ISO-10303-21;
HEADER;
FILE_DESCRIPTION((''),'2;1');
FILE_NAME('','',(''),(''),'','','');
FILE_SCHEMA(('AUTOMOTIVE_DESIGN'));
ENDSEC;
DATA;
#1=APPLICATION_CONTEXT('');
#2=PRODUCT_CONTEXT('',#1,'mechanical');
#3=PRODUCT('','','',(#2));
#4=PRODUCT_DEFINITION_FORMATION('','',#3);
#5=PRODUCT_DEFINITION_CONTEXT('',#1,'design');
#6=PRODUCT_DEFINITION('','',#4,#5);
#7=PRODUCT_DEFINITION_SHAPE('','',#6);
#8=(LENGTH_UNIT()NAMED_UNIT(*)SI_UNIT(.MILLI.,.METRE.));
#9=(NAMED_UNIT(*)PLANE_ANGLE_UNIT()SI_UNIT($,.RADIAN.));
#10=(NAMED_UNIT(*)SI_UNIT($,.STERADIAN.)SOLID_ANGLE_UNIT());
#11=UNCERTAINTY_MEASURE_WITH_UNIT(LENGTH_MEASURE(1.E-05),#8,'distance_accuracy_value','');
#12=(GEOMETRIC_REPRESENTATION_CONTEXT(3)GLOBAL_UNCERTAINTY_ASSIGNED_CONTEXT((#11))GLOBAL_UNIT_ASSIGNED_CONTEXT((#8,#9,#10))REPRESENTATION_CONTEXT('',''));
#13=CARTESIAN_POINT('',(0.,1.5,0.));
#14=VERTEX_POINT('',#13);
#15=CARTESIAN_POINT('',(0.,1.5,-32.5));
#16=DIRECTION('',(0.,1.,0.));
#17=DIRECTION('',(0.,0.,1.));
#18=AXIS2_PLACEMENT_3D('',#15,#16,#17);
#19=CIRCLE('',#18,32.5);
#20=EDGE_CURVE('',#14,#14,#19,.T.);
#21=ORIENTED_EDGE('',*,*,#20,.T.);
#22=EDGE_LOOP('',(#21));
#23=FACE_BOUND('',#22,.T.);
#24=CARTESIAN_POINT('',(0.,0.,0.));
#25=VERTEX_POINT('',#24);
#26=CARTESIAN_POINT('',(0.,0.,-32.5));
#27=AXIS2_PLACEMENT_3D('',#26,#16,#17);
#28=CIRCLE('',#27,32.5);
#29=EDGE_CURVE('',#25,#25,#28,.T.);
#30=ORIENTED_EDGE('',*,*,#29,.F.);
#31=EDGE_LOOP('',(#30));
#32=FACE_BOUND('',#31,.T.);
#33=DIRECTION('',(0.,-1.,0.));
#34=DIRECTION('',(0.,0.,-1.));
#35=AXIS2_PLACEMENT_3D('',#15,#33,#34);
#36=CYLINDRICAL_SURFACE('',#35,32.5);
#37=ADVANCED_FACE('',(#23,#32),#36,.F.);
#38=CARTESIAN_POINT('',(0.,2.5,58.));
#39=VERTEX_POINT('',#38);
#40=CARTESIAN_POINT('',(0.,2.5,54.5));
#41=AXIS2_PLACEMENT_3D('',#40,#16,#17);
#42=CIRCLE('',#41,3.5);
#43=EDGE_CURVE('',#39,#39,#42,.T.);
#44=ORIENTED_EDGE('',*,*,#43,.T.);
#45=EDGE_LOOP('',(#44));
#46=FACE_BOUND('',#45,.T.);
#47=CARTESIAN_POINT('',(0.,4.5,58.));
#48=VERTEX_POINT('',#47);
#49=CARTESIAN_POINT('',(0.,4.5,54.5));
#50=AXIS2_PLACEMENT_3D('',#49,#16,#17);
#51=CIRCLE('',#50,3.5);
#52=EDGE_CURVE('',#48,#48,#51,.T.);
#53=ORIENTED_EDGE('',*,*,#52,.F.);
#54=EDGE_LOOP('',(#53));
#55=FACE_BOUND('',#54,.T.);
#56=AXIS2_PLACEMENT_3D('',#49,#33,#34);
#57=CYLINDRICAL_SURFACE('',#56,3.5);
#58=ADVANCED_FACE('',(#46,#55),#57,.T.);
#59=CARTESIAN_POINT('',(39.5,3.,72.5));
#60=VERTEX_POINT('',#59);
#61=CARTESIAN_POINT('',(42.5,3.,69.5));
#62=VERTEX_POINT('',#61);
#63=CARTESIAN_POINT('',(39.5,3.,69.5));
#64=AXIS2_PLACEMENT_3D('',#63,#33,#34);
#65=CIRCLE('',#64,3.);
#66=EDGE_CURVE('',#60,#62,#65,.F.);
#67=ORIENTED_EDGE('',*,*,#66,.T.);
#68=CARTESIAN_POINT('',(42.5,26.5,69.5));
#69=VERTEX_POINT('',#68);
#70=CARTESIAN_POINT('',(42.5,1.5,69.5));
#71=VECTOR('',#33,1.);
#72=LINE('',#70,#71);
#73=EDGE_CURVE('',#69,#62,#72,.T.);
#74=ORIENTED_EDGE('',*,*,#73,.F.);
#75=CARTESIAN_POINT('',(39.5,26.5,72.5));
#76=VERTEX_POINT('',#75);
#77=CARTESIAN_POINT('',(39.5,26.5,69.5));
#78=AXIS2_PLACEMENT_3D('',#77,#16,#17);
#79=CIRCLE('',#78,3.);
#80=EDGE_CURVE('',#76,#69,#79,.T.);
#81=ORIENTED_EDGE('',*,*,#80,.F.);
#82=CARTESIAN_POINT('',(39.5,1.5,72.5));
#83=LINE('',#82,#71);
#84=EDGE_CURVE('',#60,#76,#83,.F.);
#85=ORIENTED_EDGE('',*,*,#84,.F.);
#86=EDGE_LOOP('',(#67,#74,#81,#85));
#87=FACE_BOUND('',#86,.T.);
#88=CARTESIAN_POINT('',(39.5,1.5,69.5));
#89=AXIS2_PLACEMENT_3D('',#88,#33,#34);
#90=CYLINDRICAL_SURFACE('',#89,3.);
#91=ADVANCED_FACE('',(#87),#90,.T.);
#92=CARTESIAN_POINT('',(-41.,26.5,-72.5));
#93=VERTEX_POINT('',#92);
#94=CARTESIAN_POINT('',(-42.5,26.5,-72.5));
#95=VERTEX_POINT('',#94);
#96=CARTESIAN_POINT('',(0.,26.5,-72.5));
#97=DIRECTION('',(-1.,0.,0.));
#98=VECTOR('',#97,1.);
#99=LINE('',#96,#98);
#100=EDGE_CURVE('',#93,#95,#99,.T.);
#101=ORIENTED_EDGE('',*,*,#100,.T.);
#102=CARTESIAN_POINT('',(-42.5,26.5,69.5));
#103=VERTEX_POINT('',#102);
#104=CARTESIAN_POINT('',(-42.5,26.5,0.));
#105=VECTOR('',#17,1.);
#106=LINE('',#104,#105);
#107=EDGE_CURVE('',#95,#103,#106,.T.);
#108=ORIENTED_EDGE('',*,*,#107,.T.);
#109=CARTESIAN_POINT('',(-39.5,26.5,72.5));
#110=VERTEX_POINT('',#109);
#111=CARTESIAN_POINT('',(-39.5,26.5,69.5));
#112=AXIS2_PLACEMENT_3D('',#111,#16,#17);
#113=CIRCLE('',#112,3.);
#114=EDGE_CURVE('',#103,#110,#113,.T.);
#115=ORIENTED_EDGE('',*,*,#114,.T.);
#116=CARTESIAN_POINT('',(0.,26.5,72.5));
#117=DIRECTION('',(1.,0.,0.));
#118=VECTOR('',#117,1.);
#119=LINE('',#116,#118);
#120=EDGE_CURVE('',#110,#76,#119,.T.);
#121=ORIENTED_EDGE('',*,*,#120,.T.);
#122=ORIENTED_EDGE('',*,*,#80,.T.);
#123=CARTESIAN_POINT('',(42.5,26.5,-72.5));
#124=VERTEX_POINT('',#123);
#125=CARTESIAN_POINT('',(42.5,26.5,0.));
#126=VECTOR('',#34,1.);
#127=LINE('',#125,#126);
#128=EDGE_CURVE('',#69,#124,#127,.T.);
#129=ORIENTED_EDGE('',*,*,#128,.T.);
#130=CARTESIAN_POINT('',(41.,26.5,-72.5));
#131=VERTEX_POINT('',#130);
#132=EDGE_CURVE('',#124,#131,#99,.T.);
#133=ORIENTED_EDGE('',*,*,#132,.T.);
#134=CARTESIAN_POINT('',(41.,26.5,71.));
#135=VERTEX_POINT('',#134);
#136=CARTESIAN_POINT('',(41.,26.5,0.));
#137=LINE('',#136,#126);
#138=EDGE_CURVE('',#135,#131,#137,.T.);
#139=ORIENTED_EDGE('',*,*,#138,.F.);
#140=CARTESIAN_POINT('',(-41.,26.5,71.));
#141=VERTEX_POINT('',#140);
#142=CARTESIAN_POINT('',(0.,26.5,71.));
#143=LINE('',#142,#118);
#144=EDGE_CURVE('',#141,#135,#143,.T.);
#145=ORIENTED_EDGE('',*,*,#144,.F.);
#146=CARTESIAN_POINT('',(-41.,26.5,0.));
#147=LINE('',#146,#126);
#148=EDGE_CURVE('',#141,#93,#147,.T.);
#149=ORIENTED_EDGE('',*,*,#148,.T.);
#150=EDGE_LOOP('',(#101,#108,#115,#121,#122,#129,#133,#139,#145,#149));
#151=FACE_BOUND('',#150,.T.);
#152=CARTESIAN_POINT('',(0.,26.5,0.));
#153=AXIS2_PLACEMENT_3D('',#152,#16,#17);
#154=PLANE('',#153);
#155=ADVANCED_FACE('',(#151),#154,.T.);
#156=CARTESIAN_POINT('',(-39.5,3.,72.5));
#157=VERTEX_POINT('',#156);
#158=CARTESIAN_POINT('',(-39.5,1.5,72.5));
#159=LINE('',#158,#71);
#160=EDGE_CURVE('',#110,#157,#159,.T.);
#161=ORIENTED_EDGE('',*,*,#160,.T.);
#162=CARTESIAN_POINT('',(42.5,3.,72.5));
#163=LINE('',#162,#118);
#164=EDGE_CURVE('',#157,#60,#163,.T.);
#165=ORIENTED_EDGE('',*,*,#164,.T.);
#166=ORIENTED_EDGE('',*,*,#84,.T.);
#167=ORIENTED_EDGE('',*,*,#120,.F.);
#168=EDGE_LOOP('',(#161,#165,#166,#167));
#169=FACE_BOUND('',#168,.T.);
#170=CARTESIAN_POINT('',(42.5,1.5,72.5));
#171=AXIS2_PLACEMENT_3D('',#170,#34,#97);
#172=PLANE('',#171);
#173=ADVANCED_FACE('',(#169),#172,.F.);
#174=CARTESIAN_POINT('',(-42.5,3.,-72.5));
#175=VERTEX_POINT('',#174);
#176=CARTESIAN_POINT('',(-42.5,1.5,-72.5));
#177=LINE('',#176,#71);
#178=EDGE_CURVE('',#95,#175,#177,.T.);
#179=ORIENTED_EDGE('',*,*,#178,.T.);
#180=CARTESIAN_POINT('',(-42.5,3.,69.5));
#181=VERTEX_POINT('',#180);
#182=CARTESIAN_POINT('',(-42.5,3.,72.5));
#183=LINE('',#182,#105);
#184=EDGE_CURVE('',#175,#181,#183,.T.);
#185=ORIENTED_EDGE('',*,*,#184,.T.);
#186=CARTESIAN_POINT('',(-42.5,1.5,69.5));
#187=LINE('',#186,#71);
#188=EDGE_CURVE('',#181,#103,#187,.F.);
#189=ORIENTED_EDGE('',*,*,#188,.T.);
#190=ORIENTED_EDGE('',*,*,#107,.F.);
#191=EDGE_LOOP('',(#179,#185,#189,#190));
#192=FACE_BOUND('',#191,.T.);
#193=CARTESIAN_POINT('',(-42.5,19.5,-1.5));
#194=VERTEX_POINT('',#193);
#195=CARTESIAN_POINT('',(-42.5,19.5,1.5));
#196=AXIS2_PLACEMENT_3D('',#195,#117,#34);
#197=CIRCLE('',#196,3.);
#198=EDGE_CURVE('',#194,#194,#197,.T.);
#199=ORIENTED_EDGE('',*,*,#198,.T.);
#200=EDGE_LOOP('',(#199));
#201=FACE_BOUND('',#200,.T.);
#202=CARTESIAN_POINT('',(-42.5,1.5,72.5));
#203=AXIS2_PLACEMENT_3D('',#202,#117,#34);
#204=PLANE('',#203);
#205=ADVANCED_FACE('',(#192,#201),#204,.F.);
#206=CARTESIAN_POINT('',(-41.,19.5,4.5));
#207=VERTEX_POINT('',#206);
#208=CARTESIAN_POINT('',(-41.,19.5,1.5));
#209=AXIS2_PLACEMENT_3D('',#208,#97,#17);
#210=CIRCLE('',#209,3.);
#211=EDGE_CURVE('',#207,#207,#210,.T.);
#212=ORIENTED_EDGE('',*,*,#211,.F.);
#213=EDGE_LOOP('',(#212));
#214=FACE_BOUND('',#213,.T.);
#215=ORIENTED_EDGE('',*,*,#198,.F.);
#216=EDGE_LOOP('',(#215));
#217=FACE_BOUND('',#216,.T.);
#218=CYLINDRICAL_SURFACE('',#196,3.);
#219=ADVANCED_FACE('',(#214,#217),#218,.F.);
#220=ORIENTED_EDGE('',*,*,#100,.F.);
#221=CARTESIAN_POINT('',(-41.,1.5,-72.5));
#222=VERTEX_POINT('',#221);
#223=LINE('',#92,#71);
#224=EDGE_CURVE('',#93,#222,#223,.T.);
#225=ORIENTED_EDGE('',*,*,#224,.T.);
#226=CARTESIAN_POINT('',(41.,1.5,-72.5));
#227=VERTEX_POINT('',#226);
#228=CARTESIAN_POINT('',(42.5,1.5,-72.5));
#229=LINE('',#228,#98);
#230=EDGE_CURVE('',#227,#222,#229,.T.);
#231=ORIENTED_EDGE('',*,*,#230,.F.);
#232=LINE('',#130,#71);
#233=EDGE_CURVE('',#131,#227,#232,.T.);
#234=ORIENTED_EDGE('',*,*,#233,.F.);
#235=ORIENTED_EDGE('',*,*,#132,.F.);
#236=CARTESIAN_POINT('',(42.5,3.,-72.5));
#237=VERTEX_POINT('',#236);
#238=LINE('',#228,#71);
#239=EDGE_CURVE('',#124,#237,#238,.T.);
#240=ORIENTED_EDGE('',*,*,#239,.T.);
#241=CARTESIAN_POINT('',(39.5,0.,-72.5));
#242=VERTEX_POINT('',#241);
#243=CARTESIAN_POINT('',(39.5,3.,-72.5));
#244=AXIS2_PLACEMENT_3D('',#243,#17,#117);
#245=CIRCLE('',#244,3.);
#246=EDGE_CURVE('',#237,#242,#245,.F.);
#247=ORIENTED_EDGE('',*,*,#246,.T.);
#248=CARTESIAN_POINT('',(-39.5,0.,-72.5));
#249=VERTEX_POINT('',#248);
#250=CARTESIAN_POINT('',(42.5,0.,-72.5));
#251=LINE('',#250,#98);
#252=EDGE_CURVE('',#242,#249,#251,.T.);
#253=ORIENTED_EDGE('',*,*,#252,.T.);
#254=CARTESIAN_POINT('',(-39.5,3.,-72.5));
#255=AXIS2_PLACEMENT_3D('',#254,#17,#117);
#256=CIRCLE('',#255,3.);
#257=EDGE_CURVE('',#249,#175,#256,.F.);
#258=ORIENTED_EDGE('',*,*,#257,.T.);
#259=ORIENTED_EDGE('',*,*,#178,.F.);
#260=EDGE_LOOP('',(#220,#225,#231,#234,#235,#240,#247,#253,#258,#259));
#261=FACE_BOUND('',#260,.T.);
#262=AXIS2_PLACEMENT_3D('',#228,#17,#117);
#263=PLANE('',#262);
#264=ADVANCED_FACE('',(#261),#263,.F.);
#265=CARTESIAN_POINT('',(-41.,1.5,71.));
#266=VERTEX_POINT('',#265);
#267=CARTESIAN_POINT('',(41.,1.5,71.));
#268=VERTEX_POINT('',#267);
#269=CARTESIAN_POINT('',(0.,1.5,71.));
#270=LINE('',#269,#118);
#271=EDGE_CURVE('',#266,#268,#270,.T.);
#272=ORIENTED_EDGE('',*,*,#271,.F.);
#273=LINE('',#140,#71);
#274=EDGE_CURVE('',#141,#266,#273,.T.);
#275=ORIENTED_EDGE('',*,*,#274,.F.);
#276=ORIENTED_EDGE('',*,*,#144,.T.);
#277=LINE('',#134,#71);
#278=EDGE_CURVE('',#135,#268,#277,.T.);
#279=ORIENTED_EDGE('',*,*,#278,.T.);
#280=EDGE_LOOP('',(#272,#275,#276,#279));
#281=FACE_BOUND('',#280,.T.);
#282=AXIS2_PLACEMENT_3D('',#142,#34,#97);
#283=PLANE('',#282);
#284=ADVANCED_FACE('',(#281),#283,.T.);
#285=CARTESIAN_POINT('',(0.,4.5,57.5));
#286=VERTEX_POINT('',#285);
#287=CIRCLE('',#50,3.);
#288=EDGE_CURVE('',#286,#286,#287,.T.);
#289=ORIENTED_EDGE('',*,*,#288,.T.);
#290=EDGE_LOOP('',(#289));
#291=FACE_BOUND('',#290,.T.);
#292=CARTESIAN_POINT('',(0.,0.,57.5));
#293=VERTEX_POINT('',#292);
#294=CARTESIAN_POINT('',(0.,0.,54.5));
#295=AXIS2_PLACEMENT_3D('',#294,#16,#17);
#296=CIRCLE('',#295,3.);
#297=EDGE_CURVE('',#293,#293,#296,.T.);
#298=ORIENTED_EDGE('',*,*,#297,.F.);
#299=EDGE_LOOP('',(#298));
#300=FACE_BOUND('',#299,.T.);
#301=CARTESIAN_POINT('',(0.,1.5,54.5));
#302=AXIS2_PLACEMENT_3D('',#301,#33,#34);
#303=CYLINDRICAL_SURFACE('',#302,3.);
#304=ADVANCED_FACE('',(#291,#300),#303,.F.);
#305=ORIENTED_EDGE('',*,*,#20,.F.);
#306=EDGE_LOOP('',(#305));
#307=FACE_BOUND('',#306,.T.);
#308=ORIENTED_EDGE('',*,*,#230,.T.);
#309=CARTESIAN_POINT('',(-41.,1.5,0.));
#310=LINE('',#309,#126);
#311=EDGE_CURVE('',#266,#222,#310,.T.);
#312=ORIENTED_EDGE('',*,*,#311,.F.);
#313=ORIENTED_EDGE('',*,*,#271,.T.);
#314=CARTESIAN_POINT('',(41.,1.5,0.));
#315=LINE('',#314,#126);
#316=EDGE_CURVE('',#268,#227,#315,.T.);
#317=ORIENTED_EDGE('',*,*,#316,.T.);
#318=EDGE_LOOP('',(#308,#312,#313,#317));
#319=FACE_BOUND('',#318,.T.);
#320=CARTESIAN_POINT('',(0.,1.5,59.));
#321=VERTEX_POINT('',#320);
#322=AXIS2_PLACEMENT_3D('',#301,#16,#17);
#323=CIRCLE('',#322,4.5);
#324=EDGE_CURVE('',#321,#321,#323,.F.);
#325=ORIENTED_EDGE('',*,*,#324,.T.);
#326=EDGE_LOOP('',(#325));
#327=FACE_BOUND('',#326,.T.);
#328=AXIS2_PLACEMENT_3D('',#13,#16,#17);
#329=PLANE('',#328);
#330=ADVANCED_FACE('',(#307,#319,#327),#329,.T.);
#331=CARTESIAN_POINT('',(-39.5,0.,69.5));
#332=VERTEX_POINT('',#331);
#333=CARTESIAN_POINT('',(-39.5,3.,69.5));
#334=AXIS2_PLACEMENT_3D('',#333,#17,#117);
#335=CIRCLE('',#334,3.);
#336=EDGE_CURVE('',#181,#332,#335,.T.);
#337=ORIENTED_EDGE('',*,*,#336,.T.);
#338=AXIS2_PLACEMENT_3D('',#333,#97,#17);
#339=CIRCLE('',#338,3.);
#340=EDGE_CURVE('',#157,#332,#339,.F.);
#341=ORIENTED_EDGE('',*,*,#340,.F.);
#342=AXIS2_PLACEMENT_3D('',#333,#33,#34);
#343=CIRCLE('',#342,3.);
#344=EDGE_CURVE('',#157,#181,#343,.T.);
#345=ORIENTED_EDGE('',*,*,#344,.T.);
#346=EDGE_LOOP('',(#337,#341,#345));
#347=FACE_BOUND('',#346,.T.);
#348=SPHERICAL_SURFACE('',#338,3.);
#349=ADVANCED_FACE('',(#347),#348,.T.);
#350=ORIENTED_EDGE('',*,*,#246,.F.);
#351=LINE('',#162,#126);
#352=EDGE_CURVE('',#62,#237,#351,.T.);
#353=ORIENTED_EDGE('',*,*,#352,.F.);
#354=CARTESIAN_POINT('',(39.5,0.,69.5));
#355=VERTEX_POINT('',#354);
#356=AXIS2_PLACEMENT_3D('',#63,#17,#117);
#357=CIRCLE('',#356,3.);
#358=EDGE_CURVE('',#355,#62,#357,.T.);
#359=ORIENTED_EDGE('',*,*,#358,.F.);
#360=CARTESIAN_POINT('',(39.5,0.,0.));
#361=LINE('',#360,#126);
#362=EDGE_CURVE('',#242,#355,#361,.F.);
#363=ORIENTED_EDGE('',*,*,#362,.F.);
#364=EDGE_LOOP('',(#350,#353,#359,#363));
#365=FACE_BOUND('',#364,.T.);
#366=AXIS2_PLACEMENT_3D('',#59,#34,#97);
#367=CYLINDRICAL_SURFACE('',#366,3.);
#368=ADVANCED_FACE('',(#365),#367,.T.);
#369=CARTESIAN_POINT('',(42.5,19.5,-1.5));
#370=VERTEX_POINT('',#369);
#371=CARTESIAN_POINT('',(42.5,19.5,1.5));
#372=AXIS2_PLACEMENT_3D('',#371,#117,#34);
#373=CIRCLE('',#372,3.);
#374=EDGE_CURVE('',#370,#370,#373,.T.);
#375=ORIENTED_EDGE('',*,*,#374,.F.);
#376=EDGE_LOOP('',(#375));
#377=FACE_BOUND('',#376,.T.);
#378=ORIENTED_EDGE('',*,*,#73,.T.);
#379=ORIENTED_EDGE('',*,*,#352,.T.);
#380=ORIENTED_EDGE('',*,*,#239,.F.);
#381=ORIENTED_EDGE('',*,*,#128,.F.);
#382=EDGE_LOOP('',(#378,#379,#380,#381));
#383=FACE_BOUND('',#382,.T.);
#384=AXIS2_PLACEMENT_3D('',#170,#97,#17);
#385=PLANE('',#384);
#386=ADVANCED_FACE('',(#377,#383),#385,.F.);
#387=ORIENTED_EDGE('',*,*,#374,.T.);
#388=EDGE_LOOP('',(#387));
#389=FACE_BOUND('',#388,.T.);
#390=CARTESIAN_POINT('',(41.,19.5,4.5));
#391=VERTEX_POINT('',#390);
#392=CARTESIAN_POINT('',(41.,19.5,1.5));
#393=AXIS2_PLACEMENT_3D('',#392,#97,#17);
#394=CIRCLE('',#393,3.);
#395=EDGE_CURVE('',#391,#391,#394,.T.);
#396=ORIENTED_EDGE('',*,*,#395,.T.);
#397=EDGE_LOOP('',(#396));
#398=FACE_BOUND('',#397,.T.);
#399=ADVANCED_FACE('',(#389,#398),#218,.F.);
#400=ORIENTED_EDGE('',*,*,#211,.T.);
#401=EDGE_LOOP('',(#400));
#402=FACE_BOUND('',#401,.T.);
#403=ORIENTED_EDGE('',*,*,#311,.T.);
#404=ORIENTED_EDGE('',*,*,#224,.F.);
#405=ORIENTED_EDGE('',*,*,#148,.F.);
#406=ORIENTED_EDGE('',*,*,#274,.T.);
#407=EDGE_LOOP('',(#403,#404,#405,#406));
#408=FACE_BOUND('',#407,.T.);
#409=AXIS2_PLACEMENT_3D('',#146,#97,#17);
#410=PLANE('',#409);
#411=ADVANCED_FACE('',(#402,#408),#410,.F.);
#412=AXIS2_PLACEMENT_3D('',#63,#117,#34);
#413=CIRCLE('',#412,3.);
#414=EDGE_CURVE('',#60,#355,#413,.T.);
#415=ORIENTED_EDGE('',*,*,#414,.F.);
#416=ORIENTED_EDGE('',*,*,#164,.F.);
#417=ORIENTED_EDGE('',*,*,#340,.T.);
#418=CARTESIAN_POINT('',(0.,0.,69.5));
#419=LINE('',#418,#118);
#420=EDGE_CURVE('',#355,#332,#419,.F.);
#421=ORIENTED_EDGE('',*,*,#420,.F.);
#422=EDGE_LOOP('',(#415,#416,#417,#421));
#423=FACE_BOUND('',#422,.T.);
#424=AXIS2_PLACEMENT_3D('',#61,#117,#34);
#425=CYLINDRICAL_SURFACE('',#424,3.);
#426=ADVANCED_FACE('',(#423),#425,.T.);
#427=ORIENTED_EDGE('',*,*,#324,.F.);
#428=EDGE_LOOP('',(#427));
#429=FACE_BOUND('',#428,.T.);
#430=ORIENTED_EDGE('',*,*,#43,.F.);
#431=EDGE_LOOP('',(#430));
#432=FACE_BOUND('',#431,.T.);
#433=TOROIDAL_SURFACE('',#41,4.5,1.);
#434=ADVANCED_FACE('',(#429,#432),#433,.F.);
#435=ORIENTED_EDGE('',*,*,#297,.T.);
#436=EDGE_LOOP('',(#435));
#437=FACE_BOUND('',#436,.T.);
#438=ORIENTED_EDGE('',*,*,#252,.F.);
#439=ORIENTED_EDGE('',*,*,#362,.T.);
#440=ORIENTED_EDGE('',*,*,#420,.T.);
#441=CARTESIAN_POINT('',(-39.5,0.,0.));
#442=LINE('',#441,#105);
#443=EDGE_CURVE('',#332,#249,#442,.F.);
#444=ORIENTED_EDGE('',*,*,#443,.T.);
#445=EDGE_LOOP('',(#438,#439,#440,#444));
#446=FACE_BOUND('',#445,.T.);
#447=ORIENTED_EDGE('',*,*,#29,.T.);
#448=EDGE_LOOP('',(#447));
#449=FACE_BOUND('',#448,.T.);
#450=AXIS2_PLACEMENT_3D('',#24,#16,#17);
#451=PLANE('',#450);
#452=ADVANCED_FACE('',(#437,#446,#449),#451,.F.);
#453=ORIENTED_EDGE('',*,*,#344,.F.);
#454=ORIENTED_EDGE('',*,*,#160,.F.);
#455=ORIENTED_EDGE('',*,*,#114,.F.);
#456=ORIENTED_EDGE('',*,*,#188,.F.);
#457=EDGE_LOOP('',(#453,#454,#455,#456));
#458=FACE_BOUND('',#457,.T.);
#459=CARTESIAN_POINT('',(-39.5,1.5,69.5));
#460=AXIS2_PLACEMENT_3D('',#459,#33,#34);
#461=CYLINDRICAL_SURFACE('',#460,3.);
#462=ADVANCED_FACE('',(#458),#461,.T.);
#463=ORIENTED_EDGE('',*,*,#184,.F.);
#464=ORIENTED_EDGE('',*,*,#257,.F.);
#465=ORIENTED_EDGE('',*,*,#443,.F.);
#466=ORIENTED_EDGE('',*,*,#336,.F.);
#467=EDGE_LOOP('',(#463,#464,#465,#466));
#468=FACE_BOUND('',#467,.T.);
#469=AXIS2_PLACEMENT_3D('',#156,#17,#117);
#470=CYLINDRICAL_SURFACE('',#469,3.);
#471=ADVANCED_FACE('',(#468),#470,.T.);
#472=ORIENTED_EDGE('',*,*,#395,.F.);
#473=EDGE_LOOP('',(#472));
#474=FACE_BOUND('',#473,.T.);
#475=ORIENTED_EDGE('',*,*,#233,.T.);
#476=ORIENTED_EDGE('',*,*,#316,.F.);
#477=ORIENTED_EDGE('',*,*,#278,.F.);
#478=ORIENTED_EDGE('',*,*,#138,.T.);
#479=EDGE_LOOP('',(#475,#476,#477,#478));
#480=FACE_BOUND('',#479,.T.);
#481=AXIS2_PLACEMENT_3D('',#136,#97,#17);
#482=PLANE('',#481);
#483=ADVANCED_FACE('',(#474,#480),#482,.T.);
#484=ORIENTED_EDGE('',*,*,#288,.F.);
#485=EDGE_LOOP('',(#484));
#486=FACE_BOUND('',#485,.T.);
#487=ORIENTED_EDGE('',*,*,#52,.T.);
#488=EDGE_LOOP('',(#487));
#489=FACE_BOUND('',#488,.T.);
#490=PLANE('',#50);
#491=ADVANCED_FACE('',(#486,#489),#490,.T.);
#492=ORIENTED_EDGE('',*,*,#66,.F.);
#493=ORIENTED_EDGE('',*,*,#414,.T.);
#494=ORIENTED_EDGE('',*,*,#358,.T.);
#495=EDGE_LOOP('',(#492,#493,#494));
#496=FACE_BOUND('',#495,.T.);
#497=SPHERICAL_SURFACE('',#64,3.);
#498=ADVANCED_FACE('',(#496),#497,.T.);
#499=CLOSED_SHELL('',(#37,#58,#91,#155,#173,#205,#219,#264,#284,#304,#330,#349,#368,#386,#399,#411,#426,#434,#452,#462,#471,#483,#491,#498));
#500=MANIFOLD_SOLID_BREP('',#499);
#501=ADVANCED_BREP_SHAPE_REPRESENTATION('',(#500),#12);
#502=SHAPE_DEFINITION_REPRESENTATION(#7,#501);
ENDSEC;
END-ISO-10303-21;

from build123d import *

# Parameters (mm, degrees)
SKETCH1_W               = 85
SKETCH1_H               = 145
SKETCH1_R               = 32.5
SKETCH1_R_2             = 3
BOSS_EXTRUDE1_DEPTH     = 1.5
SKETCH2_W               = 82
SKETCH2_H               = 1.5
BOSS_EXTRUDE2_DEPTH     = 25
CUT_EXTRUDE1_DEPTH      = 89.117818856
CUT_EXTRUDE1_DEPTH_BACK = 89.117818856
SKETCH3_R               = 3
FILLET1_R               = 3
SKETCH4_R               = 3.5
SKETCH4_R_2             = 3
BOSS_EXTRUDE3_DEPTH     = 3
FILLET2_R               = 1


with BuildPart() as part:
    # Sketch1 → Boss-Extrude1 (new body)
    with BuildSketch(Plane(origin=(0, 0, 0), x_dir=(1, 0, 0), z_dir=(0, 1, 0))):
        Rectangle(SKETCH1_W, SKETCH1_H)
        with Locations(Location((0, 32.5, 0), (0, 0, 270))):
            Circle(SKETCH1_R, mode=Mode.SUBTRACT)
        with Locations(Location((0, -54.5, 0), (0, 0, 270))):
            Circle(SKETCH1_R_2, mode=Mode.SUBTRACT)
    extrude(amount=BOSS_EXTRUDE1_DEPTH)

    # Sketch2 → Boss-Extrude2 (add)
    with BuildSketch(Plane(origin=(0, 1.5, 0), x_dir=(1, 0, 0), z_dir=(0, 1, 0))):
        Polygon((-42.5, 72.5), (-42.5, -72.5), (-41, -72.5), (-41, -71), (-41, 72.5), align=None)
        with Locations((0, -71.75)):
            Rectangle(SKETCH2_W, SKETCH2_H)
        Polygon((41, -71), (41, -72.5), (42.5, -72.5), (42.5, 72.5), (41, 72.5), align=None)
    extrude(amount=BOSS_EXTRUDE2_DEPTH)

    # Sketch3 → Cut-Extrude1 (cut, two sides: drawn at the far end of the back side and taken through both)
    with BuildSketch(Plane(origin=(0, 0, 0), x_dir=(0, 0, -1), z_dir=(1, 0, 0)).offset(-CUT_EXTRUDE1_DEPTH_BACK)):
        with Locations((-1.5, 19.5)):
            Circle(SKETCH3_R)
    extrude(amount=CUT_EXTRUDE1_DEPTH + CUT_EXTRUDE1_DEPTH_BACK, mode=Mode.SUBTRACT)

    # Fillet1
    fillet1_edges = [part.edges().sort_by_distance(p)[0] for p in [
        (42.5, 0, 0),
        (0, 0, 72.5),
        (-42.5, 0, 0),
        (42.5, 13.25, 72.5),
        (-42.5, 13.25, 72.5),
    ]]
    fillet(fillet1_edges, radius=FILLET1_R)

    # Sketch4 → Boss-Extrude3 (add)
    with BuildSketch(Plane(origin=(0, 1.5, 0), x_dir=(1, 0, 0), z_dir=(0, 1, 0))):
        with Locations(Location((0, -54.5, 0), (0, 0, 270))):
            Circle(SKETCH4_R)
        with Locations(Location((0, -54.5, 0), (0, 0, 270))):
            Circle(SKETCH4_R_2, mode=Mode.SUBTRACT)
    extrude(amount=BOSS_EXTRUDE3_DEPTH)

    # Fillet2
    fillet2_edges = [part.edges().sort_by_distance(p)[0] for p in [
        (0, 1.5, 51),
    ]]
    fillet(fillet2_edges, radius=FILLET2_R)


solid = part.part
